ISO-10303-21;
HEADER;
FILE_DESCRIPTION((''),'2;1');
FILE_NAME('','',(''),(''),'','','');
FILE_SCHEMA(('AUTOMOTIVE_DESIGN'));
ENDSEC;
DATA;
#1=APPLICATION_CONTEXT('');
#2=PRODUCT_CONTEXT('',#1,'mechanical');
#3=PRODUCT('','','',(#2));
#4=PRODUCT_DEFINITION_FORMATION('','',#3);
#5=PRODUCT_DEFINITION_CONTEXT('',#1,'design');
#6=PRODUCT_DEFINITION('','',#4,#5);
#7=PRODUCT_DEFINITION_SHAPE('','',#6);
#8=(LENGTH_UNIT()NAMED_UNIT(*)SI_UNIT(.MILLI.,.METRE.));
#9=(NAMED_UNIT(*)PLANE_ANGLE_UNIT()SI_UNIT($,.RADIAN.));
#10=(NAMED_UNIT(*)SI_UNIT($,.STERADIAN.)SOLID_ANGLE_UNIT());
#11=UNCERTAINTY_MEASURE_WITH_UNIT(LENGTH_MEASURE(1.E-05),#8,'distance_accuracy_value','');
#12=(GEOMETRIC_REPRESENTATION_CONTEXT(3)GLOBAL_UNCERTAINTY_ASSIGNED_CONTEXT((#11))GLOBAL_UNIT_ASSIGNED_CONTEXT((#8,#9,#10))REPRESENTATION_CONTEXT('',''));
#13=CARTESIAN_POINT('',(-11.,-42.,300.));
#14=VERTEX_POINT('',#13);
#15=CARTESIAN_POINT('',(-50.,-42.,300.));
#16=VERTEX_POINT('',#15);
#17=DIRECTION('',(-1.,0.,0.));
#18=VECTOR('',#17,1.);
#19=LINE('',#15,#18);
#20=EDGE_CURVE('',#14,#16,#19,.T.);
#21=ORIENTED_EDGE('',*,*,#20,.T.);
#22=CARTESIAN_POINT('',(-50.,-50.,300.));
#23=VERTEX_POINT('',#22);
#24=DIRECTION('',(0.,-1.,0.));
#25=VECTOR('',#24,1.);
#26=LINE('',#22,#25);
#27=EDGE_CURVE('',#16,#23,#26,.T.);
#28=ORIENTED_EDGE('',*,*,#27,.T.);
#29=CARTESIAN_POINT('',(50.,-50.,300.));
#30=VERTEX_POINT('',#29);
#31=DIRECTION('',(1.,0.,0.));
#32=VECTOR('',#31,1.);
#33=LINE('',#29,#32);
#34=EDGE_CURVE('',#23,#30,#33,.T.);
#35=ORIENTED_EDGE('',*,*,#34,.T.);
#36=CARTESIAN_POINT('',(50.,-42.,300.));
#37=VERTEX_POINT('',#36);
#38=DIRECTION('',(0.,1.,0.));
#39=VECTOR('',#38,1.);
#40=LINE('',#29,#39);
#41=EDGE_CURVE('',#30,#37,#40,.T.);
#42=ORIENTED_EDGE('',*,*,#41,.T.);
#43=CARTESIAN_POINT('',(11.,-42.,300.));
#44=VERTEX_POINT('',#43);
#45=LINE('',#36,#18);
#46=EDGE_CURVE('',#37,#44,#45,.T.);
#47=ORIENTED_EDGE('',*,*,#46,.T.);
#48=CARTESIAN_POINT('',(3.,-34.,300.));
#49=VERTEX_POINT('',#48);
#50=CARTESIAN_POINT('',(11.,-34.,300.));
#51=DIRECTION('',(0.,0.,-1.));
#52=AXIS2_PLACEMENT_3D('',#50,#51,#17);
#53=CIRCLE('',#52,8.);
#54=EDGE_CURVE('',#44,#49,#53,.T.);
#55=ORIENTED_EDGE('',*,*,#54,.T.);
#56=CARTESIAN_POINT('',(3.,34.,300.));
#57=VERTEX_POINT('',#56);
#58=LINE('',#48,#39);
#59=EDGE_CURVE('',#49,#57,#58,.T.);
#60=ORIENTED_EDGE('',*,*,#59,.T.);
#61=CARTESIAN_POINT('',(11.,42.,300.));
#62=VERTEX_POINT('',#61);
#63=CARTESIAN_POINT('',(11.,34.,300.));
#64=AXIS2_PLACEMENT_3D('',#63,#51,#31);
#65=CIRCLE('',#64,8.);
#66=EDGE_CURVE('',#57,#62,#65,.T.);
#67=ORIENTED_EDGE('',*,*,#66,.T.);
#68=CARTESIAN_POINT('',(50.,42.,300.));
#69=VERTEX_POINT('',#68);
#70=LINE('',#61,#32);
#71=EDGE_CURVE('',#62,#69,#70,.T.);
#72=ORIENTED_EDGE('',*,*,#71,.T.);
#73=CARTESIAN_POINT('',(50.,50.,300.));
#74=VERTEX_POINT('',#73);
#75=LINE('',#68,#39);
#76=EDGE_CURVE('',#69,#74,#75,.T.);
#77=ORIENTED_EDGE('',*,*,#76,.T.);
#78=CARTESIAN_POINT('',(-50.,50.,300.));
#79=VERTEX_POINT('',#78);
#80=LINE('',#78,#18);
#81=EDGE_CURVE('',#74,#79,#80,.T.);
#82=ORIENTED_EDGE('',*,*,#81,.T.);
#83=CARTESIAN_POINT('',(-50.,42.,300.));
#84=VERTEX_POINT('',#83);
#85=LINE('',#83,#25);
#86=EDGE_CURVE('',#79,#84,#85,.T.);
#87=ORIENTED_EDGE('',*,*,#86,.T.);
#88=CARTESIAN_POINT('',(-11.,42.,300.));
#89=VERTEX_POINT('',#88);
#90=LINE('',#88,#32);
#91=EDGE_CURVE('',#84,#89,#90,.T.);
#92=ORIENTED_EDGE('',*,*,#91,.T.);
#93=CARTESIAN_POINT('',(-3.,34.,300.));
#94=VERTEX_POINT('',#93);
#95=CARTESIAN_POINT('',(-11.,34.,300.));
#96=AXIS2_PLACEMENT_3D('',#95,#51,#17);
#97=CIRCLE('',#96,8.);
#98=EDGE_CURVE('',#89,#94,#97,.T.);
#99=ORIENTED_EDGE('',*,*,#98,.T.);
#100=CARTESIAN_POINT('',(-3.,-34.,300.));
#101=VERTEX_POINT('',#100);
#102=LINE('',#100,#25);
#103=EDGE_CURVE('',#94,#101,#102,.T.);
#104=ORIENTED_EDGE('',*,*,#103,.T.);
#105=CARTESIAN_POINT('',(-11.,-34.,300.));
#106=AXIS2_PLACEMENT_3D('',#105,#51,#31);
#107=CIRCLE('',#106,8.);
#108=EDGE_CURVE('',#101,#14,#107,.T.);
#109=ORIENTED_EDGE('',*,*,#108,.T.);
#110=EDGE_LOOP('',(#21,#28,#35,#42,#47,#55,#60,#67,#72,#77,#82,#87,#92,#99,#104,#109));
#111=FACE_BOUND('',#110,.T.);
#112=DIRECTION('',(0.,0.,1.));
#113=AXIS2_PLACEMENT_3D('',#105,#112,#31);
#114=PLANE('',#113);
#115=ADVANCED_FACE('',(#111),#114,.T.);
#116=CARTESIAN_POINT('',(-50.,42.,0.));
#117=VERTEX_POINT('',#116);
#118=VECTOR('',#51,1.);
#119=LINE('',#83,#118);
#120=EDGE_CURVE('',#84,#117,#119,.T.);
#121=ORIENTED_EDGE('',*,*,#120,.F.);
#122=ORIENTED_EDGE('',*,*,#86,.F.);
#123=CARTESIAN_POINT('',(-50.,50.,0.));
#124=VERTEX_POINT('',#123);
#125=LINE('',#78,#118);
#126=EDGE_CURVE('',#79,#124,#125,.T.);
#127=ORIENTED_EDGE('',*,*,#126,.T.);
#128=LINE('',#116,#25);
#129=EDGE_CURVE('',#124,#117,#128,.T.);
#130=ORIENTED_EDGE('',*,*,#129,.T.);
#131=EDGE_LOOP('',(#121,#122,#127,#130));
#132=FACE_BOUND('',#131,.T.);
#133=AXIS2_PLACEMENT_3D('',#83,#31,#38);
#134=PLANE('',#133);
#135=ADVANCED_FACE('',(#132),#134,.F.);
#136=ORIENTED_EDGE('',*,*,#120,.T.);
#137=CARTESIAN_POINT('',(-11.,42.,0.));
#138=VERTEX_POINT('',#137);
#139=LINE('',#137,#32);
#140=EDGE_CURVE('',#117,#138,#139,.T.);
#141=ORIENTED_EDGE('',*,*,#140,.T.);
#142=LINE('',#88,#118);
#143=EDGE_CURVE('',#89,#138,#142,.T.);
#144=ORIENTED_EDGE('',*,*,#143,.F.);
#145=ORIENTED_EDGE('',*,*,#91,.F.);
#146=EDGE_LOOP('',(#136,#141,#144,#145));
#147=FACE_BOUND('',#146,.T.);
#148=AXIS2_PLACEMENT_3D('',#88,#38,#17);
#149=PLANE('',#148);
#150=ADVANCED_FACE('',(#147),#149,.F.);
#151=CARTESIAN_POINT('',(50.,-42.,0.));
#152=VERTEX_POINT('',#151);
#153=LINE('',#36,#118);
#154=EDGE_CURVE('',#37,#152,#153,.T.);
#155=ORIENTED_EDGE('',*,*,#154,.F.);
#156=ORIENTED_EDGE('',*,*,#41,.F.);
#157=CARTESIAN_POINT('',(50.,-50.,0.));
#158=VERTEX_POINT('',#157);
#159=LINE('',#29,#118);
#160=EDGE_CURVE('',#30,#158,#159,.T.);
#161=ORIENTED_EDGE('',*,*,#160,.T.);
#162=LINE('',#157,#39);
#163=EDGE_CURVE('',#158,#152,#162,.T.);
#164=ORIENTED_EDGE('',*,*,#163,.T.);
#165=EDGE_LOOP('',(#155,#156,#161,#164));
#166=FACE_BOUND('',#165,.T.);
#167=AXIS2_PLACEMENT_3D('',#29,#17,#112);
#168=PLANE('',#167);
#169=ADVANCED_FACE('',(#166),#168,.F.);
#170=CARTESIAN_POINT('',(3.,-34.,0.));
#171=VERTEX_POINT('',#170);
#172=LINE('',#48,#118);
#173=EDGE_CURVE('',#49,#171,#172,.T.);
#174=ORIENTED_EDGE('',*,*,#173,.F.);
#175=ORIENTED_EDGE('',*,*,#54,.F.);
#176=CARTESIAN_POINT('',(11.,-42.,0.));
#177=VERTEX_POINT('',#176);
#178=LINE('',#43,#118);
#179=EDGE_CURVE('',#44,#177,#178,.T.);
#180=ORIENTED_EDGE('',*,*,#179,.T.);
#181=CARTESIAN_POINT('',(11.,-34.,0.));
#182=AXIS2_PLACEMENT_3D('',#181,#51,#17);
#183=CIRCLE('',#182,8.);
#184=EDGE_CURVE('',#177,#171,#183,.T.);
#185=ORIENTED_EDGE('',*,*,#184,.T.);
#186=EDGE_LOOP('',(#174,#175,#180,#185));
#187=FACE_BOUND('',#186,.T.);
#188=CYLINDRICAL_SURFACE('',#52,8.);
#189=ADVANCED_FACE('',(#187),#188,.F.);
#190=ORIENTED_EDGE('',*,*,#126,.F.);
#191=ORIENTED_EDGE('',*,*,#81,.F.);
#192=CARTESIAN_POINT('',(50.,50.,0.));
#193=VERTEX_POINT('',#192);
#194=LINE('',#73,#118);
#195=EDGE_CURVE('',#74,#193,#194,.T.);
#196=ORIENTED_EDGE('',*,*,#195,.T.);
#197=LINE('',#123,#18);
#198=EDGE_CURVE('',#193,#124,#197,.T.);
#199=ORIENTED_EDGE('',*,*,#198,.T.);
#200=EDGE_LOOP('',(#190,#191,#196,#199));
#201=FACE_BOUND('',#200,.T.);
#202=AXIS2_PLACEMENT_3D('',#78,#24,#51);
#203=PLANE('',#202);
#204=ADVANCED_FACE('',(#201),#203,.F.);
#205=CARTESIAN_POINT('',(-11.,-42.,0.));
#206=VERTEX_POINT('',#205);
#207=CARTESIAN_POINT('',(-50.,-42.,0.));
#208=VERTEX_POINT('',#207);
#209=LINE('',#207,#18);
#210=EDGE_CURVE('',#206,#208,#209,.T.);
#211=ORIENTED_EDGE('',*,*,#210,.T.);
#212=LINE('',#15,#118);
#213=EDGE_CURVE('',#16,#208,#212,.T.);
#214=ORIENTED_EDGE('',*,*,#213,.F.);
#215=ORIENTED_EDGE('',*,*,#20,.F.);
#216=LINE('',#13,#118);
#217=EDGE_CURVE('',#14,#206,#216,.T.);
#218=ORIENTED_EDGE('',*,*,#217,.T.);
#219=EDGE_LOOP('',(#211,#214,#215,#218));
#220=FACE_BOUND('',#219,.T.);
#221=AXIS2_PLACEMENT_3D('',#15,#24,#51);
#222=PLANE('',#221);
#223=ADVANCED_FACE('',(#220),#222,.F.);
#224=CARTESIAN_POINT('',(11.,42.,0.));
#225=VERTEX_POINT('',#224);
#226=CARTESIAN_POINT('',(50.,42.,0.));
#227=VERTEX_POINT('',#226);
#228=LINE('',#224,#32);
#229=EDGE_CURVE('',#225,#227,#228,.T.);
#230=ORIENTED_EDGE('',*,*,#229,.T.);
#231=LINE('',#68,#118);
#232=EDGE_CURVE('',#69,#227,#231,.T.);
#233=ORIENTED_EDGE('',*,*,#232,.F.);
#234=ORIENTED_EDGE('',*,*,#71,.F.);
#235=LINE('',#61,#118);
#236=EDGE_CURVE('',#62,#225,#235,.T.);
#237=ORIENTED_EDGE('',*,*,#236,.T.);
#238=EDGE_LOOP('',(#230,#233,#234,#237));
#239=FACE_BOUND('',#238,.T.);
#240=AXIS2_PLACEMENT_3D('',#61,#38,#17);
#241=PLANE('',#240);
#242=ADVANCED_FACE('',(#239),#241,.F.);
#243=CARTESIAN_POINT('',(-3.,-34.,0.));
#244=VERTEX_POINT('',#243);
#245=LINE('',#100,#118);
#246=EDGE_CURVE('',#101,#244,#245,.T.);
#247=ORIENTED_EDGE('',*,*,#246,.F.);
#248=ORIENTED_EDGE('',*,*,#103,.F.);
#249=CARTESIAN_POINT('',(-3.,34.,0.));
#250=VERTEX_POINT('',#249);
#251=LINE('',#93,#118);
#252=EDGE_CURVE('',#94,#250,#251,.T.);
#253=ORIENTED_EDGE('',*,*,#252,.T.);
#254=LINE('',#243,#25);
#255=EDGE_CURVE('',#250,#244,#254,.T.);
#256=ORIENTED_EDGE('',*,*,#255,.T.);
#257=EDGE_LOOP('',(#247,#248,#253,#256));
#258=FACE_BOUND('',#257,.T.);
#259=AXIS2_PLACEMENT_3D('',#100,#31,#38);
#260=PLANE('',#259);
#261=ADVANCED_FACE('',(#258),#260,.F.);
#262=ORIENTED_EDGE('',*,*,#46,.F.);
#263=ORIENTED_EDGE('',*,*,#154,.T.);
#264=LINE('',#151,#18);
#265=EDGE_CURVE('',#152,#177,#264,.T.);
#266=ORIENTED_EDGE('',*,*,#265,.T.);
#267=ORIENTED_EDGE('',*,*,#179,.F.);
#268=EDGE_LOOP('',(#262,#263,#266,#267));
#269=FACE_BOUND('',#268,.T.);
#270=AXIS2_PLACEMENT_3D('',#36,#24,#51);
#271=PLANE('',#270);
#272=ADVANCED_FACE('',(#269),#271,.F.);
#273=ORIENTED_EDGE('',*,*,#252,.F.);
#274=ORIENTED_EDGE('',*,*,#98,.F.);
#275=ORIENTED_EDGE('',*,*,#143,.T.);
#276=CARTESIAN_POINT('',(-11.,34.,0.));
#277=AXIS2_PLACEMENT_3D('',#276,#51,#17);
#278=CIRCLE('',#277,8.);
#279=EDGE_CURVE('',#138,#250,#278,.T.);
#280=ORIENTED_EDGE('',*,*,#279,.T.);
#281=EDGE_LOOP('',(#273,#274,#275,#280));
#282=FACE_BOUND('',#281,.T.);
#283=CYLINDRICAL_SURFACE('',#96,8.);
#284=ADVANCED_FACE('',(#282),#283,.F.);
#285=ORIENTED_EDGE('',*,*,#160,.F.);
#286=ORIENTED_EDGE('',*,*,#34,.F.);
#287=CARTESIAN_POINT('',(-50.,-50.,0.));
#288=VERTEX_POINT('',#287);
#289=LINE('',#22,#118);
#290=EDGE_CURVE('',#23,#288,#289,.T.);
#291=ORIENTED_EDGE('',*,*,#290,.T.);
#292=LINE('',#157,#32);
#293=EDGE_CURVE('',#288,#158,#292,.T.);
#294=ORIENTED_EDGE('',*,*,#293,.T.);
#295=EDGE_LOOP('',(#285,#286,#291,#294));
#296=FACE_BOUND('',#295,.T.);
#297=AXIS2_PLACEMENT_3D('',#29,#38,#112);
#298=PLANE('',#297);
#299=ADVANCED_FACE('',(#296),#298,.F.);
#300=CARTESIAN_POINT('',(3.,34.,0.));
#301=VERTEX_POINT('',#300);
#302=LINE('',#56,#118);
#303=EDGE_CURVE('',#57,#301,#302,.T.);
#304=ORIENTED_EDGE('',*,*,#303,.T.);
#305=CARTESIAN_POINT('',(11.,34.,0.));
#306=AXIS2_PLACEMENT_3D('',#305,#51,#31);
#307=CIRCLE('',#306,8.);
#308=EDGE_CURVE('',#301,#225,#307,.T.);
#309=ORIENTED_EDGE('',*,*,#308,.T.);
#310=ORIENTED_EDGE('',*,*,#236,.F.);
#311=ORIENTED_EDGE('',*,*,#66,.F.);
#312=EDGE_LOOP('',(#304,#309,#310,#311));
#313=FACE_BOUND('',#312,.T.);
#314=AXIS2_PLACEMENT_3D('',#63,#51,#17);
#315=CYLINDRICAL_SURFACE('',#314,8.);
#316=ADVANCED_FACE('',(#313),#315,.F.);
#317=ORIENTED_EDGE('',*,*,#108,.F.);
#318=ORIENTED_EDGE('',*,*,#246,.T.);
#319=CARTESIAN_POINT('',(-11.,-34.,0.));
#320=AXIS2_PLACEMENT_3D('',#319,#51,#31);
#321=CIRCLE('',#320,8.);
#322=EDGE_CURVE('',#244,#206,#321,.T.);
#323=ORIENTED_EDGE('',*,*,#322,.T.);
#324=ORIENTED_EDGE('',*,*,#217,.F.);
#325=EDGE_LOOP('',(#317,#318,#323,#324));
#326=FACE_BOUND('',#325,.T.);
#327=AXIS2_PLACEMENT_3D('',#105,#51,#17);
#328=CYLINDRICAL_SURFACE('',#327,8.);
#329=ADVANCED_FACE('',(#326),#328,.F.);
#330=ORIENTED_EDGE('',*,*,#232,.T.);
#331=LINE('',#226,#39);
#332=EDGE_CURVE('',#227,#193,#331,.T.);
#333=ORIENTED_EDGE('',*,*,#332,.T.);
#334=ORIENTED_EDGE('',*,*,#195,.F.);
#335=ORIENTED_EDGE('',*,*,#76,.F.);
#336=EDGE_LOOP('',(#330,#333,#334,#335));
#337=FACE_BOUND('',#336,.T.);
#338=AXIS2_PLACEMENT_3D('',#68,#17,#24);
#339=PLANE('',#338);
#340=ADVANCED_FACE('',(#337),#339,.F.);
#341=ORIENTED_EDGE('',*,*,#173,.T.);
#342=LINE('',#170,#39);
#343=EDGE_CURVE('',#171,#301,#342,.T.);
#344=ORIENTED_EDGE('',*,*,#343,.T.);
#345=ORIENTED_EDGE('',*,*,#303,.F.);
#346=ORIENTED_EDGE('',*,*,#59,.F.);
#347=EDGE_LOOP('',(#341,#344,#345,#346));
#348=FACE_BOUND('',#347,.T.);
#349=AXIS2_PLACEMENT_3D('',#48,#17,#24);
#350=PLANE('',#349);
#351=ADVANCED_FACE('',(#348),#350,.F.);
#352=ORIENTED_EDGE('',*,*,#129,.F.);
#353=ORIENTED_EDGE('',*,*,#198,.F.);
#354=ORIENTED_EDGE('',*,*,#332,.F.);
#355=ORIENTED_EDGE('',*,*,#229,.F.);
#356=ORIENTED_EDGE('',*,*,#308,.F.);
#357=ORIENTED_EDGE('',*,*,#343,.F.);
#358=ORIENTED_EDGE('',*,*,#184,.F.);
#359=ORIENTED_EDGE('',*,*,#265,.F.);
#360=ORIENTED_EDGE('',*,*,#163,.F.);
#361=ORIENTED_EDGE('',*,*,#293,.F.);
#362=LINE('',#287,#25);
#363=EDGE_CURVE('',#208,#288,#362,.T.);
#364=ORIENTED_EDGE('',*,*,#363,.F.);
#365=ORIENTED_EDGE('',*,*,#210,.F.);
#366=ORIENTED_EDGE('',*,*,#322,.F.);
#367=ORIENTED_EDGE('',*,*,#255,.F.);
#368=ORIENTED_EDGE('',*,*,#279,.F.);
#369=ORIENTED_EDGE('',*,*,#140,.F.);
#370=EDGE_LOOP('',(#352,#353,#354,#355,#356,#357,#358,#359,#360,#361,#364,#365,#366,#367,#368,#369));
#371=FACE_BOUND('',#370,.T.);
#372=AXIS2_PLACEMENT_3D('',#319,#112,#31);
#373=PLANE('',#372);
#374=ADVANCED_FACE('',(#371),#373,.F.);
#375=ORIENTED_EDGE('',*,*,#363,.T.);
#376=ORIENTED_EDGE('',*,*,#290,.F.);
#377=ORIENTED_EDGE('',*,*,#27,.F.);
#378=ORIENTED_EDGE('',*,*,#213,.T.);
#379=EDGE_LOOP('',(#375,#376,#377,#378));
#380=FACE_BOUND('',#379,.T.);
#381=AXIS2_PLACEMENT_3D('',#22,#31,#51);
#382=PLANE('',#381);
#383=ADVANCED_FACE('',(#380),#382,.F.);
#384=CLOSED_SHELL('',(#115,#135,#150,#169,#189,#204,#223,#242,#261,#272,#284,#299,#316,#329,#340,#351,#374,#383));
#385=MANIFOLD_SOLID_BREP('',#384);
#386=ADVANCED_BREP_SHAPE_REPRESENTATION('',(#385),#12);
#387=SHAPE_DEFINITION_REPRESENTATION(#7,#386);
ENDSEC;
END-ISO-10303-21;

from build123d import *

# Parameters (mm, degrees)
EXTRUDE_1_DEPTH = 300


with BuildPart() as part:
    # 草图1 → 拉伸1 (new body)
    with BuildSketch(Plane.XY):
        with BuildLine():
            Line((50, -50), (-50, -50))
            Line((-50, -50), (-50, -42))
            Line((-50, -42), (-11, -42))
            ThreePointArc((-11, -42), (-5.343145751, -39.656854249), (-3, -34))
            Line((-3, -34), (-3, 34))
            ThreePointArc((-3, 34), (-5.343145751, 39.656854249), (-11, 42))
            Line((-11, 42), (-50, 42))
            Line((-50, 42), (-50, 50))
            Line((-50, 50), (50, 50))
            Line((50, 50), (50, 42))
            Line((50, 42), (11, 42))
            ThreePointArc((11, 42), (5.343145751, 39.656854249), (3, 34))
            Line((3, 34), (3, -34))
            ThreePointArc((3, -34), (5.343145751, -39.656854249), (11, -42))
            Line((11, -42), (50, -42))
            Line((50, -42), (50, -50))
        make_face()
    extrude(amount=EXTRUDE_1_DEPTH)


solid = part.part
